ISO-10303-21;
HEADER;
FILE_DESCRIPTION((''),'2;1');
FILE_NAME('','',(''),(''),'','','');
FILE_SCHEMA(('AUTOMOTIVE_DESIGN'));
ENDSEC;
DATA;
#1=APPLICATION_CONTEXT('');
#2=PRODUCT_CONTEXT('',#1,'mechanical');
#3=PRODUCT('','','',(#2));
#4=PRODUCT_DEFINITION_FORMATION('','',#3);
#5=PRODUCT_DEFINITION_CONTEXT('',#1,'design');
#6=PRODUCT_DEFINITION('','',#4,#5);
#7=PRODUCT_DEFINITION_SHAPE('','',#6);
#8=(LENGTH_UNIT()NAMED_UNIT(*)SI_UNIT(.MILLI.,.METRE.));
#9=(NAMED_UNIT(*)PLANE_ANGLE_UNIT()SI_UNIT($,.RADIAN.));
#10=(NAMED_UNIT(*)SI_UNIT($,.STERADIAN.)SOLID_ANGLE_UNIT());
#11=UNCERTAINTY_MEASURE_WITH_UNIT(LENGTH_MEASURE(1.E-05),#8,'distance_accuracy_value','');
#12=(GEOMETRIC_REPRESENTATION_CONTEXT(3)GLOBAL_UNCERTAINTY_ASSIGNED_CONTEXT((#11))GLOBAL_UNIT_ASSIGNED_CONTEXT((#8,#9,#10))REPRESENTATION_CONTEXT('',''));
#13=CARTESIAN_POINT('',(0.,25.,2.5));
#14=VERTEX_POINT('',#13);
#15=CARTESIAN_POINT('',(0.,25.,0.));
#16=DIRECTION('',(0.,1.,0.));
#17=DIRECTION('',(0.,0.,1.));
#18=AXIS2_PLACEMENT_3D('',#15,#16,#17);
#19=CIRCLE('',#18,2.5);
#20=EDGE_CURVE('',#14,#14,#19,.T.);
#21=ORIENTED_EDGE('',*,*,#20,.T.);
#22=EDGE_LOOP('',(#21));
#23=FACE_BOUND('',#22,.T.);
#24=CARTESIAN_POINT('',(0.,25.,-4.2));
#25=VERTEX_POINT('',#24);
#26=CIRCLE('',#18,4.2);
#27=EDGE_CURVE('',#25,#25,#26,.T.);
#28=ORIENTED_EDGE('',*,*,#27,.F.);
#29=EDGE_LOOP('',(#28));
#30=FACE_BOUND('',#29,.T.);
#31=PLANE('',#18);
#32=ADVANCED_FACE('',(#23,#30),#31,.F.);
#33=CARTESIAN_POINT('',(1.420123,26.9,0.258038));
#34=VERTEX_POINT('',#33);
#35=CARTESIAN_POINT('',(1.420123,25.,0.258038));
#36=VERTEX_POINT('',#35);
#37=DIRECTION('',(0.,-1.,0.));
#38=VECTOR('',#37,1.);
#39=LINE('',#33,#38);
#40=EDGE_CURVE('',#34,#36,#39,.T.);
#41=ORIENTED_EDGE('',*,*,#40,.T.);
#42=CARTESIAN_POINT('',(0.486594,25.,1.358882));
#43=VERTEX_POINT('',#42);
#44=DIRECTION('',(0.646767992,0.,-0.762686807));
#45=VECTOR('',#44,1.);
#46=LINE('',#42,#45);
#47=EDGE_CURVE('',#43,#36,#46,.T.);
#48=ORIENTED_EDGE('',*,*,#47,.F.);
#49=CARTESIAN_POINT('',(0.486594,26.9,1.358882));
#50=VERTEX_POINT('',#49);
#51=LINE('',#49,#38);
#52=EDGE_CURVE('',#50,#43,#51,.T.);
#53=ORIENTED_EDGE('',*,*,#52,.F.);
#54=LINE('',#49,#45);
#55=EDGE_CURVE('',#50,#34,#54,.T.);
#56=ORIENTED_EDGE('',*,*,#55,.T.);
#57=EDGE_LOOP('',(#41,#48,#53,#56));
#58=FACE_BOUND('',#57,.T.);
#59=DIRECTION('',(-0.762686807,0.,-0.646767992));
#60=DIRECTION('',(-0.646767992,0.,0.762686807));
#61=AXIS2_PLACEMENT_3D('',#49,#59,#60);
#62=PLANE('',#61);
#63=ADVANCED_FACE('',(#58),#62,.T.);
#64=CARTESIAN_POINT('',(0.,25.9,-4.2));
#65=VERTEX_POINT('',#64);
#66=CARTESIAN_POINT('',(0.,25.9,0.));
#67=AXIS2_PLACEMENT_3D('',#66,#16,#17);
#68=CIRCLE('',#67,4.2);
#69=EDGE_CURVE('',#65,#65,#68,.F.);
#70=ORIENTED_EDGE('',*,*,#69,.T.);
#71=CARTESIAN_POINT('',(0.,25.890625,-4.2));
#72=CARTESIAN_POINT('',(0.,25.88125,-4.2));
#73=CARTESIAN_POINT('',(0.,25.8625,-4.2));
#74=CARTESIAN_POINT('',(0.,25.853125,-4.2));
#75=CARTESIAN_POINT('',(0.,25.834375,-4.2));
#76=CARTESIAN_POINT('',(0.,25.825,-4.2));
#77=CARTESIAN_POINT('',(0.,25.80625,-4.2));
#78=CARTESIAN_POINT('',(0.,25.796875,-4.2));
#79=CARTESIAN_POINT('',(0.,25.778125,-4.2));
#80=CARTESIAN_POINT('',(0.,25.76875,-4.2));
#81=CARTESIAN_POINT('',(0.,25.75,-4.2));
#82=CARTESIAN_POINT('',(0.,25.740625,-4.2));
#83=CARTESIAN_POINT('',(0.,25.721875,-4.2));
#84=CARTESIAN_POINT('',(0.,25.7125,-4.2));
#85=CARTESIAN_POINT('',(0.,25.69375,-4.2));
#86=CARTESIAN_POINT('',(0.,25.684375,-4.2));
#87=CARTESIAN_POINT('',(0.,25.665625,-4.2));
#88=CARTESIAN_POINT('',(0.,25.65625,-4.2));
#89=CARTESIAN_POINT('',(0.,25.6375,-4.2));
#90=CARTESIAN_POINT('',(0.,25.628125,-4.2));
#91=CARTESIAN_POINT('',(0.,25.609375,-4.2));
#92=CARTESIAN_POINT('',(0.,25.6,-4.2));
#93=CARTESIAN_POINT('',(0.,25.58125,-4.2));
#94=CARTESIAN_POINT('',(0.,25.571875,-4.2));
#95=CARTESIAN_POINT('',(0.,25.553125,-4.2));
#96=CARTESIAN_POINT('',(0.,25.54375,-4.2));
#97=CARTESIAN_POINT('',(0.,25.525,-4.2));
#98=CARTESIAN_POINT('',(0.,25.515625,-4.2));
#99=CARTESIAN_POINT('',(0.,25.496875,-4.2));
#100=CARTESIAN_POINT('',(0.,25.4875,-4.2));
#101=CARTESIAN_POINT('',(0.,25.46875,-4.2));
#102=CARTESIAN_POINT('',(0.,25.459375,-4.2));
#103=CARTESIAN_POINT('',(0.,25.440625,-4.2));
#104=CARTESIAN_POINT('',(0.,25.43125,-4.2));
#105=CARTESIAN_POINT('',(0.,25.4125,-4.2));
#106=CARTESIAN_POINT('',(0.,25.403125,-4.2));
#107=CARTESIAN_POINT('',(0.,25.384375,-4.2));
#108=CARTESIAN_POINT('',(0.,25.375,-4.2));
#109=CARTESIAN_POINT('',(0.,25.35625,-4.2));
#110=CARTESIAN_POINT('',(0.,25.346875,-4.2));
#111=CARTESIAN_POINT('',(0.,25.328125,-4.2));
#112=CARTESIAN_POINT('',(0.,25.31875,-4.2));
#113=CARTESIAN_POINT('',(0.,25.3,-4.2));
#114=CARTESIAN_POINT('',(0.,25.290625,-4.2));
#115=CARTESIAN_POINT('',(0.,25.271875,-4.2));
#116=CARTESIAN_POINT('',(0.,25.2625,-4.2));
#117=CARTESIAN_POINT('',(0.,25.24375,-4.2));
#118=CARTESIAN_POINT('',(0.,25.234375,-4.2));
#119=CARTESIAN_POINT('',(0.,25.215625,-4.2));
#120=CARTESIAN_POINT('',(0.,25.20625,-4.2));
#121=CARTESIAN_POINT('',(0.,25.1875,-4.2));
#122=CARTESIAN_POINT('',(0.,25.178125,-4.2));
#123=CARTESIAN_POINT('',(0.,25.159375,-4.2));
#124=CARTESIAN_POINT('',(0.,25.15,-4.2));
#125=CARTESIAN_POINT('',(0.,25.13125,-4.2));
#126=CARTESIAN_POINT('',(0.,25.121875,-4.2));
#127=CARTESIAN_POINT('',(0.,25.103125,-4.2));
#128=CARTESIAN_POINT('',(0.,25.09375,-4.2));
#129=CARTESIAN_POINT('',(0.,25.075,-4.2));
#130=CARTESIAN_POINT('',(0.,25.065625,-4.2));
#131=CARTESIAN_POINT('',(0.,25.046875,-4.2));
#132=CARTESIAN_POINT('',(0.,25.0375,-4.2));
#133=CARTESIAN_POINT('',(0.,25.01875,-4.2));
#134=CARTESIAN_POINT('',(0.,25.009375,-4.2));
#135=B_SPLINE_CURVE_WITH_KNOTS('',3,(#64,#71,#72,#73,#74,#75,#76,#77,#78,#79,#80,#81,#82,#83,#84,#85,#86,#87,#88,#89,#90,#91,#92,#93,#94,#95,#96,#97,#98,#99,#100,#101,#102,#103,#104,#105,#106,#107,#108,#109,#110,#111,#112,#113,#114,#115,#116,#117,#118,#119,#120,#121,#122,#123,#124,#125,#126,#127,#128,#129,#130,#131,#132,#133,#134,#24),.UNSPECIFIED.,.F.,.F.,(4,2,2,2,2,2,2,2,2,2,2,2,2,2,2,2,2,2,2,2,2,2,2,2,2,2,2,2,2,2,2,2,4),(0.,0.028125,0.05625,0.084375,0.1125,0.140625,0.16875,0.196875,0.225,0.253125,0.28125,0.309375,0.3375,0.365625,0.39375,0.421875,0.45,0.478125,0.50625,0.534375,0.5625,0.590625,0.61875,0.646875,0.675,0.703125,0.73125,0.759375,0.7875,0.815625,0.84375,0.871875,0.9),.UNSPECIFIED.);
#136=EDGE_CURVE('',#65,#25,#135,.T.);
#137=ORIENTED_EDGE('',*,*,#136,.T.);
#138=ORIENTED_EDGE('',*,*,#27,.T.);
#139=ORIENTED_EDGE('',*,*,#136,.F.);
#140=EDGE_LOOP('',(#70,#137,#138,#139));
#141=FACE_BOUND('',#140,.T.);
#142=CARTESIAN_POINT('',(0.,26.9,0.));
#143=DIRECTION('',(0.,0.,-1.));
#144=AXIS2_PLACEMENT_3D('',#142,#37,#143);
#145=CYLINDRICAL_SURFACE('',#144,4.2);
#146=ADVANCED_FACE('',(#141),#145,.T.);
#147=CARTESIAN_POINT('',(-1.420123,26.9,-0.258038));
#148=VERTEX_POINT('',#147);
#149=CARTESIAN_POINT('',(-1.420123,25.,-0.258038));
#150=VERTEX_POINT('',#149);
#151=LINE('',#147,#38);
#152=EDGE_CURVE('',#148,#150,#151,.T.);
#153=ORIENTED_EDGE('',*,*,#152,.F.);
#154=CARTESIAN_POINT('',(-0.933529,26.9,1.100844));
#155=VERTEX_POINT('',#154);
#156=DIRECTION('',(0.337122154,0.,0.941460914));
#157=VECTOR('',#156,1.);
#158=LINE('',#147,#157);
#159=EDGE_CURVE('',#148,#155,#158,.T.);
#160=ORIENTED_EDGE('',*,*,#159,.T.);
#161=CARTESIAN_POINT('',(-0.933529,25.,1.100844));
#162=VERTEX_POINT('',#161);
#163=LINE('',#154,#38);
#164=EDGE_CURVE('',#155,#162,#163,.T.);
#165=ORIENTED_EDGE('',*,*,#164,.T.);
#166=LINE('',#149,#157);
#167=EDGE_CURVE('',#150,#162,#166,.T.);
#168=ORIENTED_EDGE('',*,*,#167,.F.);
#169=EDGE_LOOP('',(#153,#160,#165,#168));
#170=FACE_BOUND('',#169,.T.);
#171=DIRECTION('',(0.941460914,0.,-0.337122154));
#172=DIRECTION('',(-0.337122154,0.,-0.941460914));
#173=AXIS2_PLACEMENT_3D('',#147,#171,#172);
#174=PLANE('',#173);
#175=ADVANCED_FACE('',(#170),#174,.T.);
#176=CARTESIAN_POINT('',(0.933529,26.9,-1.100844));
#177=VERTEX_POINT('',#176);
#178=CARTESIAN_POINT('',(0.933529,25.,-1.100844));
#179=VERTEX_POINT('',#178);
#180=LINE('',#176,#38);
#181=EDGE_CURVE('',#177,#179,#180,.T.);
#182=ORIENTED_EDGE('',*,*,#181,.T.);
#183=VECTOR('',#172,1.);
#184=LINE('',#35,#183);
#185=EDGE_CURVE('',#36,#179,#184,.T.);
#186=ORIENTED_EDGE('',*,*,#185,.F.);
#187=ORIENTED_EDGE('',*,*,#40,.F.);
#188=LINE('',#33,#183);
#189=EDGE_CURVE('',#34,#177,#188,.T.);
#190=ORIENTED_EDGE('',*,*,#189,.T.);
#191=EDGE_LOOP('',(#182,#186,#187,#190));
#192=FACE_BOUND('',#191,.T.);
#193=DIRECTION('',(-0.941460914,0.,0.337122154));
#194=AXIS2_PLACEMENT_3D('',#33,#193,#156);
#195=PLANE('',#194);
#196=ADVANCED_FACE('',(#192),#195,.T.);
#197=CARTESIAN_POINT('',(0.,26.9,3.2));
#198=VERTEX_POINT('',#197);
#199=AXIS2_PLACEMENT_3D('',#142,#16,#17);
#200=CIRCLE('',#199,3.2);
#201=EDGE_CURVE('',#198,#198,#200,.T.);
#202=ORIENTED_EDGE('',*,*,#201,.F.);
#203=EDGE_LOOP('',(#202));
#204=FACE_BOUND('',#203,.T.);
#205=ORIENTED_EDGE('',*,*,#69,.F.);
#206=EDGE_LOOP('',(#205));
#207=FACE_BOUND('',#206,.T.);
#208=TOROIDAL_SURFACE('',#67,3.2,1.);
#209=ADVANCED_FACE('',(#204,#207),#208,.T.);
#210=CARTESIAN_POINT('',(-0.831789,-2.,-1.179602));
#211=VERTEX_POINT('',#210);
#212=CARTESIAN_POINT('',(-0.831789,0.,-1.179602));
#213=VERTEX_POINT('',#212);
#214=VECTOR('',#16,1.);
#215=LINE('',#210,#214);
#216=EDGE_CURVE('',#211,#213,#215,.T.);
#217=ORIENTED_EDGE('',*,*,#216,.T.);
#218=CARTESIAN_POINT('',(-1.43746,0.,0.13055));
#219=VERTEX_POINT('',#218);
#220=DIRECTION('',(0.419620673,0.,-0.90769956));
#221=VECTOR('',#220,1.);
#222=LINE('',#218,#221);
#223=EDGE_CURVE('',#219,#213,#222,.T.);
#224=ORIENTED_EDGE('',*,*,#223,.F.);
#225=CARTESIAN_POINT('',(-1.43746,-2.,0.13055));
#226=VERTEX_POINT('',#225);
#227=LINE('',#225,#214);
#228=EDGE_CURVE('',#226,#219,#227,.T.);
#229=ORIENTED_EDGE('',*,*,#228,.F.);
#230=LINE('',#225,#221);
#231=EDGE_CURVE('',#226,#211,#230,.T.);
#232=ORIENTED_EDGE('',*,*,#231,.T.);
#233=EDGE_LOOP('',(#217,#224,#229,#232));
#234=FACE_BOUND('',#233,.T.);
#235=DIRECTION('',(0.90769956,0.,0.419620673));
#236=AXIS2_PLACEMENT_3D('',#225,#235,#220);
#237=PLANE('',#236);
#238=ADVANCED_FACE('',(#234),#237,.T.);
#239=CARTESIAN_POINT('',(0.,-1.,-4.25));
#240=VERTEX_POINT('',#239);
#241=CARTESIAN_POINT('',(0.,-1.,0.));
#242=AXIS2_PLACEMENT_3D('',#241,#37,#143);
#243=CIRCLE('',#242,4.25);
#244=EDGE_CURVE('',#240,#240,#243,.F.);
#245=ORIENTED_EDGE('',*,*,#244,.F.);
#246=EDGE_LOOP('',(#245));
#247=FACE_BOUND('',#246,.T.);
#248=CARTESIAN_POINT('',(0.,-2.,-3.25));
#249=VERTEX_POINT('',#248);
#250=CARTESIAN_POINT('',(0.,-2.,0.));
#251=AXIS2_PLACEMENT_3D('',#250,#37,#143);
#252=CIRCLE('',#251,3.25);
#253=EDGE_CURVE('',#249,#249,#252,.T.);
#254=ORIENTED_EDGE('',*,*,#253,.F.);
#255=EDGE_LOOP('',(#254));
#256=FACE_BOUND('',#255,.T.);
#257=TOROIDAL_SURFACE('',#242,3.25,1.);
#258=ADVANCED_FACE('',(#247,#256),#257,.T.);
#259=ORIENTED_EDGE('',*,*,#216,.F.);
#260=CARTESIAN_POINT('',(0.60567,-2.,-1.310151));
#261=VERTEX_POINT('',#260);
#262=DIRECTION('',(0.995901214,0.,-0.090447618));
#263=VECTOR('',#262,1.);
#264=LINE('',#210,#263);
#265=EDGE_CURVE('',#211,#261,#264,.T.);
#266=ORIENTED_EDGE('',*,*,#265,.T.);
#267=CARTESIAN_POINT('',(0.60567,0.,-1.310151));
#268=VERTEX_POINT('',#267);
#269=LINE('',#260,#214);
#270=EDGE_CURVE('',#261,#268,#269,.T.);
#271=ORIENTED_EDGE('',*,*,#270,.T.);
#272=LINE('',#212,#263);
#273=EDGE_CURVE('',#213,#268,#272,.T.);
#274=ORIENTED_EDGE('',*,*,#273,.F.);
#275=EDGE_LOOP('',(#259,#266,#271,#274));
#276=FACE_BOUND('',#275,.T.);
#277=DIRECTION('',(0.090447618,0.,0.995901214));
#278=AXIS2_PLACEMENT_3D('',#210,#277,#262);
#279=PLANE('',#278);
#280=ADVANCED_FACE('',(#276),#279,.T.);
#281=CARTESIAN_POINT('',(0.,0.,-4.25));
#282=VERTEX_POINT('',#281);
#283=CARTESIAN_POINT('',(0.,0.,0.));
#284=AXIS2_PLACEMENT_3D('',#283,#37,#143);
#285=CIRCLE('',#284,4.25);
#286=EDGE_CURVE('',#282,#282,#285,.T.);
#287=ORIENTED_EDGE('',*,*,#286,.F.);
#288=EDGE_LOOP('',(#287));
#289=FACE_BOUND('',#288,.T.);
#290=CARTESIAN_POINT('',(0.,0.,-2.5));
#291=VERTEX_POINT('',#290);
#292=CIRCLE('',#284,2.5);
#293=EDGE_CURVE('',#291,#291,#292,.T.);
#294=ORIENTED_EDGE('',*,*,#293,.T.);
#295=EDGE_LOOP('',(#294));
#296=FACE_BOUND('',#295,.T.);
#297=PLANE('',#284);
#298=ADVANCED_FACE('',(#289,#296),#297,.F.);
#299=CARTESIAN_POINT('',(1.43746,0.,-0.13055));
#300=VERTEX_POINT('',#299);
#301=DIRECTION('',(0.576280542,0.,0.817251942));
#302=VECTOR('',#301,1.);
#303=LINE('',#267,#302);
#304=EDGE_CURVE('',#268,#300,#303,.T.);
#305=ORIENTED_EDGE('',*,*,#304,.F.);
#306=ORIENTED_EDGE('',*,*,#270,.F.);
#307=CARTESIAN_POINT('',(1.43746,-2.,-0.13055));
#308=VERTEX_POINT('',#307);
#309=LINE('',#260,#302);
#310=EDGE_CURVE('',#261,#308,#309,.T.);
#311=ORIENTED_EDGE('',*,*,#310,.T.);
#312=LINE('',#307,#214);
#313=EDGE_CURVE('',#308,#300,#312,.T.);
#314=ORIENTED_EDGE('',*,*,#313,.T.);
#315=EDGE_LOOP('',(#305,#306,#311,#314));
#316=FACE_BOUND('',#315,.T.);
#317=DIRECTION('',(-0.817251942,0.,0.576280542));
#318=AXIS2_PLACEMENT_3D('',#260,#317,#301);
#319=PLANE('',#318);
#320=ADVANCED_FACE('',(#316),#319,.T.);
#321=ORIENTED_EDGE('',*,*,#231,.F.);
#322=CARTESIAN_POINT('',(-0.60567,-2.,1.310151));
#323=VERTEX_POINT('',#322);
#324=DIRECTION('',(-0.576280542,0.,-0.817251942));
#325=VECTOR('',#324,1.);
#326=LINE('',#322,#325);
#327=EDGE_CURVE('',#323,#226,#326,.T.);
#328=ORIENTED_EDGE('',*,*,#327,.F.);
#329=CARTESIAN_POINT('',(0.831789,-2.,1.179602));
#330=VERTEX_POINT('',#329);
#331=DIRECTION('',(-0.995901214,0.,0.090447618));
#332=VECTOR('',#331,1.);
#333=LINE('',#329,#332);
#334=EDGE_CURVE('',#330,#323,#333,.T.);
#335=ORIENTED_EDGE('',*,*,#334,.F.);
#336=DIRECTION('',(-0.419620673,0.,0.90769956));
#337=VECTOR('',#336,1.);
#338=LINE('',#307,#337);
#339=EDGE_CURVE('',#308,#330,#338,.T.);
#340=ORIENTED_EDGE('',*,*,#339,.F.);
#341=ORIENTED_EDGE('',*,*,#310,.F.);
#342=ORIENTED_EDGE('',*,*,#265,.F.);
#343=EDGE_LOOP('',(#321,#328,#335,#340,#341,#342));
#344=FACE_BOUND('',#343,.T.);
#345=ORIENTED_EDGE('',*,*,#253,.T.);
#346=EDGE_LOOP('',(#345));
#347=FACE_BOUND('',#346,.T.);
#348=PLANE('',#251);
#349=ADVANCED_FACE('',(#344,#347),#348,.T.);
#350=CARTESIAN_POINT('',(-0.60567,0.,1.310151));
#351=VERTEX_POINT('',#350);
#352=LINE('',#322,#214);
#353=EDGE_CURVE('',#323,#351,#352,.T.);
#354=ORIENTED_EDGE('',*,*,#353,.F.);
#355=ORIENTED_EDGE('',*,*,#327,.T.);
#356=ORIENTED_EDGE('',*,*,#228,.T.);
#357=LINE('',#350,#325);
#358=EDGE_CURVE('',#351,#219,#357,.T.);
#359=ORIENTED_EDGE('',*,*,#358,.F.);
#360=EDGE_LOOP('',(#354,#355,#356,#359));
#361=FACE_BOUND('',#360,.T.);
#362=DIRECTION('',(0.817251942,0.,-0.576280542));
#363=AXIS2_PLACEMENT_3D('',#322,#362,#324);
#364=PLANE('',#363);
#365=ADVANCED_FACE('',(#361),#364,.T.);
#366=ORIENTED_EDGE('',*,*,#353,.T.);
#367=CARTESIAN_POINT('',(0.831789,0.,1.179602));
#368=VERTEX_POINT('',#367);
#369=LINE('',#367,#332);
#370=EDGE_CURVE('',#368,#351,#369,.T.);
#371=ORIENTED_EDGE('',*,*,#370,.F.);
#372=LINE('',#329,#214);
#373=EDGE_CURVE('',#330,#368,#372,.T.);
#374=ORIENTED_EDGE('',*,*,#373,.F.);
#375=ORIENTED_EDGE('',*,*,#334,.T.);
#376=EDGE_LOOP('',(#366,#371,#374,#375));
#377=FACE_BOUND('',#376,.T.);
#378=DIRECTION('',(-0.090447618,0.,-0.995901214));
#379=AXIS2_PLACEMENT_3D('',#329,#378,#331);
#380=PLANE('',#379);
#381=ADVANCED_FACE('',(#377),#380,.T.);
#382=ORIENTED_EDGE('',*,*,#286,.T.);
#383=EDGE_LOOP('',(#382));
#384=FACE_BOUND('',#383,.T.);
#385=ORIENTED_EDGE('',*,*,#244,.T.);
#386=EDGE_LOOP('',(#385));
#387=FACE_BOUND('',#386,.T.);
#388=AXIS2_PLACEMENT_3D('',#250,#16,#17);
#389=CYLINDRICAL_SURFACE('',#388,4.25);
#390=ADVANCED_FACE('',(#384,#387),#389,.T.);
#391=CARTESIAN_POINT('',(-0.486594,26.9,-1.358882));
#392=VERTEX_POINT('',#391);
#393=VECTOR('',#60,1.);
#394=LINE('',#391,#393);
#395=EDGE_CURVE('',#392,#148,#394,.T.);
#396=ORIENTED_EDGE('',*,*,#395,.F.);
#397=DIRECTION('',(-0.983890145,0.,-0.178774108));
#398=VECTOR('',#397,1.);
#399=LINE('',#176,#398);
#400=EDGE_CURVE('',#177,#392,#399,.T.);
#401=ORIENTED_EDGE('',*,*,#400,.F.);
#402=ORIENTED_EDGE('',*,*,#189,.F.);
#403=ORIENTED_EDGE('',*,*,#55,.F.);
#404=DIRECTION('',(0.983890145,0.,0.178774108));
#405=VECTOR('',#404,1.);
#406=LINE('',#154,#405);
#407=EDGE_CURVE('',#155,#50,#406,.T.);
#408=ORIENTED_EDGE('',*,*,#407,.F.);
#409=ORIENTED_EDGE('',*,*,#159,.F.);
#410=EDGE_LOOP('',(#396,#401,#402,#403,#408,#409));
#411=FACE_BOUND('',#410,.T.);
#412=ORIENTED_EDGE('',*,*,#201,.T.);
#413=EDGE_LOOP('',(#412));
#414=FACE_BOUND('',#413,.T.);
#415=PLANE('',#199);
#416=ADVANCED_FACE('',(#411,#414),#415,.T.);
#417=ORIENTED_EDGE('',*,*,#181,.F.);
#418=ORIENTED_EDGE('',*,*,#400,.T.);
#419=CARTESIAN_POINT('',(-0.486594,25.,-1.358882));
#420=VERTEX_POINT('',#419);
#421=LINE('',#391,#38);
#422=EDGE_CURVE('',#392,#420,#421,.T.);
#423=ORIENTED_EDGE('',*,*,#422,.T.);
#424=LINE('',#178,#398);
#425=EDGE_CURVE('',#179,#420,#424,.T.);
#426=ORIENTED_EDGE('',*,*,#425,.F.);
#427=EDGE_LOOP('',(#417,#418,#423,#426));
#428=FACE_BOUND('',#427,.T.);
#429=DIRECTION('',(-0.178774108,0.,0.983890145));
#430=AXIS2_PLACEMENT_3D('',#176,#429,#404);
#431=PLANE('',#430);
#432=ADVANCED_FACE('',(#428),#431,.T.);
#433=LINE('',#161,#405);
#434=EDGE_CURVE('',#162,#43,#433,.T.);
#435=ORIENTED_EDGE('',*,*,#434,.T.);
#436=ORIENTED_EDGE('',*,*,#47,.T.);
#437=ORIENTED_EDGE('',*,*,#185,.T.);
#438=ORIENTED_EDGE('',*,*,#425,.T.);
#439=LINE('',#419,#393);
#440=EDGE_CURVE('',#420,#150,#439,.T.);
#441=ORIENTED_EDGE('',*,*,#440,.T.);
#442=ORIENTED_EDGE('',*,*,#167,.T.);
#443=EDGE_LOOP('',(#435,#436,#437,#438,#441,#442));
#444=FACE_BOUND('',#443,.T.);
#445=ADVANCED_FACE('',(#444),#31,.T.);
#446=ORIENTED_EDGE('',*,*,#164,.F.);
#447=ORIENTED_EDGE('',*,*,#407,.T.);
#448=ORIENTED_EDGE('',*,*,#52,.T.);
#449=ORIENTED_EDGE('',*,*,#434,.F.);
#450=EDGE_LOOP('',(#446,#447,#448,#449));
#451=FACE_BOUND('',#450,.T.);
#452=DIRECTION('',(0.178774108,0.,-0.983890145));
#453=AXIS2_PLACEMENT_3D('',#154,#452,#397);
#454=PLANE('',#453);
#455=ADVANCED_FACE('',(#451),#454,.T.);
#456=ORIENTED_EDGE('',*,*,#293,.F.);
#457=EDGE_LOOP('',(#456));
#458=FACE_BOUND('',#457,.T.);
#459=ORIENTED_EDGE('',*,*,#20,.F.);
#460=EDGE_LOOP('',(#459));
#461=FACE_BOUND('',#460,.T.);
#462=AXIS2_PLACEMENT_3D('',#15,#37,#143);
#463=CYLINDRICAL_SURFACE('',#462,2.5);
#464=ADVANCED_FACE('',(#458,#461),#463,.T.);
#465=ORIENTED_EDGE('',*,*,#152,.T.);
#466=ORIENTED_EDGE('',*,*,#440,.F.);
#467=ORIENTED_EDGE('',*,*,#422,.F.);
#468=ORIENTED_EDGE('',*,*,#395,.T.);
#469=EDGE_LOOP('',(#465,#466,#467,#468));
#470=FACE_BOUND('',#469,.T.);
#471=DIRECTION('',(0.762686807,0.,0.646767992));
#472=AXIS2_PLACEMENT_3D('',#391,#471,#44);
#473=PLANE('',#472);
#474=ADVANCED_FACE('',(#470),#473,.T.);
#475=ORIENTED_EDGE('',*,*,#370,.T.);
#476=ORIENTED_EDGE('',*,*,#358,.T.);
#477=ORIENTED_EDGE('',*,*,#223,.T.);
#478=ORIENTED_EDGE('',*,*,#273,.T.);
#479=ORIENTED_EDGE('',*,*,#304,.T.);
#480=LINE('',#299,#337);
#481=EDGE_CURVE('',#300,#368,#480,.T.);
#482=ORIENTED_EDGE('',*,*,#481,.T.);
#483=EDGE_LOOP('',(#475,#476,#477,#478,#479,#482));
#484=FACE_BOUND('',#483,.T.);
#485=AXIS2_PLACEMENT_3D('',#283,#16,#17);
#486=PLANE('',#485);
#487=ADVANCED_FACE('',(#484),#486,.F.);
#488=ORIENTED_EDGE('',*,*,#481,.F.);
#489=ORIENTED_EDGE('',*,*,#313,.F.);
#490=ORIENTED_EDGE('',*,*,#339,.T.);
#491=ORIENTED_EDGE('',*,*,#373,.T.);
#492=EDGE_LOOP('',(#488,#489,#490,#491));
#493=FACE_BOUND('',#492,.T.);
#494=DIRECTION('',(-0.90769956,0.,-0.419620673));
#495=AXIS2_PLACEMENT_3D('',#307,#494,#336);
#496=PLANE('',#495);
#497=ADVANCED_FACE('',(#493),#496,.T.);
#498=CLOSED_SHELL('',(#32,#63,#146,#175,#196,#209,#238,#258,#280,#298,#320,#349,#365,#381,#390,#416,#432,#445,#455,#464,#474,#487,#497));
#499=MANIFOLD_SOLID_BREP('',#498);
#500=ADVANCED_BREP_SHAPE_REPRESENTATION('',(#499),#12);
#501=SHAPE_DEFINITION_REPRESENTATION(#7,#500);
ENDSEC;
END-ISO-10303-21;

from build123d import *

# Parameters (mm, degrees)
SKETCH_1_R      = 2.5
EXTRUDE_1_DEPTH = 25
SKETCH_2_R      = 4.2
EXTRUDE_2_DEPTH = 1.9
SKETCH_3_R      = 4.25
EXTRUDE_3_DEPTH = 2
FILLET_1_R      = 1


with BuildPart() as part:
    # 草图1 → 凸台-拉伸1 (new body)
    with BuildSketch(Plane(origin=(0, 0, 0), x_dir=(1, 0, 0), z_dir=(0, 1, 0))):
        with Locations(Location((0, 0, 0), (0, 0, 270))):
            Circle(SKETCH_1_R)
    extrude(amount=EXTRUDE_1_DEPTH)

    # 草图2 → 凸台-拉伸2 (add)
    with BuildSketch(Plane(origin=(0, 25, 0), x_dir=(1, 0, 0), z_dir=(0, 1, 0))):
        with Locations(Location((0, 0, 0), (0, 0, 90))):
            Circle(SKETCH_2_R)
        Polygon((0.933529185, 1.100843583), (-0.486593916, 1.358881781), (-1.420123101, 0.258038198), (-0.933529185, -1.100843583), (0.486593916, -1.358881781), (1.420123101, -0.258038198), align=None, mode=Mode.SUBTRACT)
    extrude(amount=EXTRUDE_2_DEPTH)

    # 草图3 → 凸台-拉伸3 (add)
    with BuildSketch(Plane.XZ):
        with Locations(Location((0, 0, 0), (0, 0, 270))):
            Circle(SKETCH_3_R)
        Polygon((0.831789315, 1.179601572), (-0.605670271, 1.310151463), (-1.437459585, 0.130549891), (-0.831789315, -1.179601572), (0.605670271, -1.310151463), (1.437459585, -0.130549891), align=None, mode=Mode.SUBTRACT)
    extrude(amount=EXTRUDE_3_DEPTH)

    # 圆角1
    fillet_1_edges = [part.edges().sort_by_distance(p)[0] for p in [
        (0, 26.9, 4.2),
        (0, -2, 4.25),
    ]]
    fillet(fillet_1_edges, radius=FILLET_1_R)


solid = part.part
